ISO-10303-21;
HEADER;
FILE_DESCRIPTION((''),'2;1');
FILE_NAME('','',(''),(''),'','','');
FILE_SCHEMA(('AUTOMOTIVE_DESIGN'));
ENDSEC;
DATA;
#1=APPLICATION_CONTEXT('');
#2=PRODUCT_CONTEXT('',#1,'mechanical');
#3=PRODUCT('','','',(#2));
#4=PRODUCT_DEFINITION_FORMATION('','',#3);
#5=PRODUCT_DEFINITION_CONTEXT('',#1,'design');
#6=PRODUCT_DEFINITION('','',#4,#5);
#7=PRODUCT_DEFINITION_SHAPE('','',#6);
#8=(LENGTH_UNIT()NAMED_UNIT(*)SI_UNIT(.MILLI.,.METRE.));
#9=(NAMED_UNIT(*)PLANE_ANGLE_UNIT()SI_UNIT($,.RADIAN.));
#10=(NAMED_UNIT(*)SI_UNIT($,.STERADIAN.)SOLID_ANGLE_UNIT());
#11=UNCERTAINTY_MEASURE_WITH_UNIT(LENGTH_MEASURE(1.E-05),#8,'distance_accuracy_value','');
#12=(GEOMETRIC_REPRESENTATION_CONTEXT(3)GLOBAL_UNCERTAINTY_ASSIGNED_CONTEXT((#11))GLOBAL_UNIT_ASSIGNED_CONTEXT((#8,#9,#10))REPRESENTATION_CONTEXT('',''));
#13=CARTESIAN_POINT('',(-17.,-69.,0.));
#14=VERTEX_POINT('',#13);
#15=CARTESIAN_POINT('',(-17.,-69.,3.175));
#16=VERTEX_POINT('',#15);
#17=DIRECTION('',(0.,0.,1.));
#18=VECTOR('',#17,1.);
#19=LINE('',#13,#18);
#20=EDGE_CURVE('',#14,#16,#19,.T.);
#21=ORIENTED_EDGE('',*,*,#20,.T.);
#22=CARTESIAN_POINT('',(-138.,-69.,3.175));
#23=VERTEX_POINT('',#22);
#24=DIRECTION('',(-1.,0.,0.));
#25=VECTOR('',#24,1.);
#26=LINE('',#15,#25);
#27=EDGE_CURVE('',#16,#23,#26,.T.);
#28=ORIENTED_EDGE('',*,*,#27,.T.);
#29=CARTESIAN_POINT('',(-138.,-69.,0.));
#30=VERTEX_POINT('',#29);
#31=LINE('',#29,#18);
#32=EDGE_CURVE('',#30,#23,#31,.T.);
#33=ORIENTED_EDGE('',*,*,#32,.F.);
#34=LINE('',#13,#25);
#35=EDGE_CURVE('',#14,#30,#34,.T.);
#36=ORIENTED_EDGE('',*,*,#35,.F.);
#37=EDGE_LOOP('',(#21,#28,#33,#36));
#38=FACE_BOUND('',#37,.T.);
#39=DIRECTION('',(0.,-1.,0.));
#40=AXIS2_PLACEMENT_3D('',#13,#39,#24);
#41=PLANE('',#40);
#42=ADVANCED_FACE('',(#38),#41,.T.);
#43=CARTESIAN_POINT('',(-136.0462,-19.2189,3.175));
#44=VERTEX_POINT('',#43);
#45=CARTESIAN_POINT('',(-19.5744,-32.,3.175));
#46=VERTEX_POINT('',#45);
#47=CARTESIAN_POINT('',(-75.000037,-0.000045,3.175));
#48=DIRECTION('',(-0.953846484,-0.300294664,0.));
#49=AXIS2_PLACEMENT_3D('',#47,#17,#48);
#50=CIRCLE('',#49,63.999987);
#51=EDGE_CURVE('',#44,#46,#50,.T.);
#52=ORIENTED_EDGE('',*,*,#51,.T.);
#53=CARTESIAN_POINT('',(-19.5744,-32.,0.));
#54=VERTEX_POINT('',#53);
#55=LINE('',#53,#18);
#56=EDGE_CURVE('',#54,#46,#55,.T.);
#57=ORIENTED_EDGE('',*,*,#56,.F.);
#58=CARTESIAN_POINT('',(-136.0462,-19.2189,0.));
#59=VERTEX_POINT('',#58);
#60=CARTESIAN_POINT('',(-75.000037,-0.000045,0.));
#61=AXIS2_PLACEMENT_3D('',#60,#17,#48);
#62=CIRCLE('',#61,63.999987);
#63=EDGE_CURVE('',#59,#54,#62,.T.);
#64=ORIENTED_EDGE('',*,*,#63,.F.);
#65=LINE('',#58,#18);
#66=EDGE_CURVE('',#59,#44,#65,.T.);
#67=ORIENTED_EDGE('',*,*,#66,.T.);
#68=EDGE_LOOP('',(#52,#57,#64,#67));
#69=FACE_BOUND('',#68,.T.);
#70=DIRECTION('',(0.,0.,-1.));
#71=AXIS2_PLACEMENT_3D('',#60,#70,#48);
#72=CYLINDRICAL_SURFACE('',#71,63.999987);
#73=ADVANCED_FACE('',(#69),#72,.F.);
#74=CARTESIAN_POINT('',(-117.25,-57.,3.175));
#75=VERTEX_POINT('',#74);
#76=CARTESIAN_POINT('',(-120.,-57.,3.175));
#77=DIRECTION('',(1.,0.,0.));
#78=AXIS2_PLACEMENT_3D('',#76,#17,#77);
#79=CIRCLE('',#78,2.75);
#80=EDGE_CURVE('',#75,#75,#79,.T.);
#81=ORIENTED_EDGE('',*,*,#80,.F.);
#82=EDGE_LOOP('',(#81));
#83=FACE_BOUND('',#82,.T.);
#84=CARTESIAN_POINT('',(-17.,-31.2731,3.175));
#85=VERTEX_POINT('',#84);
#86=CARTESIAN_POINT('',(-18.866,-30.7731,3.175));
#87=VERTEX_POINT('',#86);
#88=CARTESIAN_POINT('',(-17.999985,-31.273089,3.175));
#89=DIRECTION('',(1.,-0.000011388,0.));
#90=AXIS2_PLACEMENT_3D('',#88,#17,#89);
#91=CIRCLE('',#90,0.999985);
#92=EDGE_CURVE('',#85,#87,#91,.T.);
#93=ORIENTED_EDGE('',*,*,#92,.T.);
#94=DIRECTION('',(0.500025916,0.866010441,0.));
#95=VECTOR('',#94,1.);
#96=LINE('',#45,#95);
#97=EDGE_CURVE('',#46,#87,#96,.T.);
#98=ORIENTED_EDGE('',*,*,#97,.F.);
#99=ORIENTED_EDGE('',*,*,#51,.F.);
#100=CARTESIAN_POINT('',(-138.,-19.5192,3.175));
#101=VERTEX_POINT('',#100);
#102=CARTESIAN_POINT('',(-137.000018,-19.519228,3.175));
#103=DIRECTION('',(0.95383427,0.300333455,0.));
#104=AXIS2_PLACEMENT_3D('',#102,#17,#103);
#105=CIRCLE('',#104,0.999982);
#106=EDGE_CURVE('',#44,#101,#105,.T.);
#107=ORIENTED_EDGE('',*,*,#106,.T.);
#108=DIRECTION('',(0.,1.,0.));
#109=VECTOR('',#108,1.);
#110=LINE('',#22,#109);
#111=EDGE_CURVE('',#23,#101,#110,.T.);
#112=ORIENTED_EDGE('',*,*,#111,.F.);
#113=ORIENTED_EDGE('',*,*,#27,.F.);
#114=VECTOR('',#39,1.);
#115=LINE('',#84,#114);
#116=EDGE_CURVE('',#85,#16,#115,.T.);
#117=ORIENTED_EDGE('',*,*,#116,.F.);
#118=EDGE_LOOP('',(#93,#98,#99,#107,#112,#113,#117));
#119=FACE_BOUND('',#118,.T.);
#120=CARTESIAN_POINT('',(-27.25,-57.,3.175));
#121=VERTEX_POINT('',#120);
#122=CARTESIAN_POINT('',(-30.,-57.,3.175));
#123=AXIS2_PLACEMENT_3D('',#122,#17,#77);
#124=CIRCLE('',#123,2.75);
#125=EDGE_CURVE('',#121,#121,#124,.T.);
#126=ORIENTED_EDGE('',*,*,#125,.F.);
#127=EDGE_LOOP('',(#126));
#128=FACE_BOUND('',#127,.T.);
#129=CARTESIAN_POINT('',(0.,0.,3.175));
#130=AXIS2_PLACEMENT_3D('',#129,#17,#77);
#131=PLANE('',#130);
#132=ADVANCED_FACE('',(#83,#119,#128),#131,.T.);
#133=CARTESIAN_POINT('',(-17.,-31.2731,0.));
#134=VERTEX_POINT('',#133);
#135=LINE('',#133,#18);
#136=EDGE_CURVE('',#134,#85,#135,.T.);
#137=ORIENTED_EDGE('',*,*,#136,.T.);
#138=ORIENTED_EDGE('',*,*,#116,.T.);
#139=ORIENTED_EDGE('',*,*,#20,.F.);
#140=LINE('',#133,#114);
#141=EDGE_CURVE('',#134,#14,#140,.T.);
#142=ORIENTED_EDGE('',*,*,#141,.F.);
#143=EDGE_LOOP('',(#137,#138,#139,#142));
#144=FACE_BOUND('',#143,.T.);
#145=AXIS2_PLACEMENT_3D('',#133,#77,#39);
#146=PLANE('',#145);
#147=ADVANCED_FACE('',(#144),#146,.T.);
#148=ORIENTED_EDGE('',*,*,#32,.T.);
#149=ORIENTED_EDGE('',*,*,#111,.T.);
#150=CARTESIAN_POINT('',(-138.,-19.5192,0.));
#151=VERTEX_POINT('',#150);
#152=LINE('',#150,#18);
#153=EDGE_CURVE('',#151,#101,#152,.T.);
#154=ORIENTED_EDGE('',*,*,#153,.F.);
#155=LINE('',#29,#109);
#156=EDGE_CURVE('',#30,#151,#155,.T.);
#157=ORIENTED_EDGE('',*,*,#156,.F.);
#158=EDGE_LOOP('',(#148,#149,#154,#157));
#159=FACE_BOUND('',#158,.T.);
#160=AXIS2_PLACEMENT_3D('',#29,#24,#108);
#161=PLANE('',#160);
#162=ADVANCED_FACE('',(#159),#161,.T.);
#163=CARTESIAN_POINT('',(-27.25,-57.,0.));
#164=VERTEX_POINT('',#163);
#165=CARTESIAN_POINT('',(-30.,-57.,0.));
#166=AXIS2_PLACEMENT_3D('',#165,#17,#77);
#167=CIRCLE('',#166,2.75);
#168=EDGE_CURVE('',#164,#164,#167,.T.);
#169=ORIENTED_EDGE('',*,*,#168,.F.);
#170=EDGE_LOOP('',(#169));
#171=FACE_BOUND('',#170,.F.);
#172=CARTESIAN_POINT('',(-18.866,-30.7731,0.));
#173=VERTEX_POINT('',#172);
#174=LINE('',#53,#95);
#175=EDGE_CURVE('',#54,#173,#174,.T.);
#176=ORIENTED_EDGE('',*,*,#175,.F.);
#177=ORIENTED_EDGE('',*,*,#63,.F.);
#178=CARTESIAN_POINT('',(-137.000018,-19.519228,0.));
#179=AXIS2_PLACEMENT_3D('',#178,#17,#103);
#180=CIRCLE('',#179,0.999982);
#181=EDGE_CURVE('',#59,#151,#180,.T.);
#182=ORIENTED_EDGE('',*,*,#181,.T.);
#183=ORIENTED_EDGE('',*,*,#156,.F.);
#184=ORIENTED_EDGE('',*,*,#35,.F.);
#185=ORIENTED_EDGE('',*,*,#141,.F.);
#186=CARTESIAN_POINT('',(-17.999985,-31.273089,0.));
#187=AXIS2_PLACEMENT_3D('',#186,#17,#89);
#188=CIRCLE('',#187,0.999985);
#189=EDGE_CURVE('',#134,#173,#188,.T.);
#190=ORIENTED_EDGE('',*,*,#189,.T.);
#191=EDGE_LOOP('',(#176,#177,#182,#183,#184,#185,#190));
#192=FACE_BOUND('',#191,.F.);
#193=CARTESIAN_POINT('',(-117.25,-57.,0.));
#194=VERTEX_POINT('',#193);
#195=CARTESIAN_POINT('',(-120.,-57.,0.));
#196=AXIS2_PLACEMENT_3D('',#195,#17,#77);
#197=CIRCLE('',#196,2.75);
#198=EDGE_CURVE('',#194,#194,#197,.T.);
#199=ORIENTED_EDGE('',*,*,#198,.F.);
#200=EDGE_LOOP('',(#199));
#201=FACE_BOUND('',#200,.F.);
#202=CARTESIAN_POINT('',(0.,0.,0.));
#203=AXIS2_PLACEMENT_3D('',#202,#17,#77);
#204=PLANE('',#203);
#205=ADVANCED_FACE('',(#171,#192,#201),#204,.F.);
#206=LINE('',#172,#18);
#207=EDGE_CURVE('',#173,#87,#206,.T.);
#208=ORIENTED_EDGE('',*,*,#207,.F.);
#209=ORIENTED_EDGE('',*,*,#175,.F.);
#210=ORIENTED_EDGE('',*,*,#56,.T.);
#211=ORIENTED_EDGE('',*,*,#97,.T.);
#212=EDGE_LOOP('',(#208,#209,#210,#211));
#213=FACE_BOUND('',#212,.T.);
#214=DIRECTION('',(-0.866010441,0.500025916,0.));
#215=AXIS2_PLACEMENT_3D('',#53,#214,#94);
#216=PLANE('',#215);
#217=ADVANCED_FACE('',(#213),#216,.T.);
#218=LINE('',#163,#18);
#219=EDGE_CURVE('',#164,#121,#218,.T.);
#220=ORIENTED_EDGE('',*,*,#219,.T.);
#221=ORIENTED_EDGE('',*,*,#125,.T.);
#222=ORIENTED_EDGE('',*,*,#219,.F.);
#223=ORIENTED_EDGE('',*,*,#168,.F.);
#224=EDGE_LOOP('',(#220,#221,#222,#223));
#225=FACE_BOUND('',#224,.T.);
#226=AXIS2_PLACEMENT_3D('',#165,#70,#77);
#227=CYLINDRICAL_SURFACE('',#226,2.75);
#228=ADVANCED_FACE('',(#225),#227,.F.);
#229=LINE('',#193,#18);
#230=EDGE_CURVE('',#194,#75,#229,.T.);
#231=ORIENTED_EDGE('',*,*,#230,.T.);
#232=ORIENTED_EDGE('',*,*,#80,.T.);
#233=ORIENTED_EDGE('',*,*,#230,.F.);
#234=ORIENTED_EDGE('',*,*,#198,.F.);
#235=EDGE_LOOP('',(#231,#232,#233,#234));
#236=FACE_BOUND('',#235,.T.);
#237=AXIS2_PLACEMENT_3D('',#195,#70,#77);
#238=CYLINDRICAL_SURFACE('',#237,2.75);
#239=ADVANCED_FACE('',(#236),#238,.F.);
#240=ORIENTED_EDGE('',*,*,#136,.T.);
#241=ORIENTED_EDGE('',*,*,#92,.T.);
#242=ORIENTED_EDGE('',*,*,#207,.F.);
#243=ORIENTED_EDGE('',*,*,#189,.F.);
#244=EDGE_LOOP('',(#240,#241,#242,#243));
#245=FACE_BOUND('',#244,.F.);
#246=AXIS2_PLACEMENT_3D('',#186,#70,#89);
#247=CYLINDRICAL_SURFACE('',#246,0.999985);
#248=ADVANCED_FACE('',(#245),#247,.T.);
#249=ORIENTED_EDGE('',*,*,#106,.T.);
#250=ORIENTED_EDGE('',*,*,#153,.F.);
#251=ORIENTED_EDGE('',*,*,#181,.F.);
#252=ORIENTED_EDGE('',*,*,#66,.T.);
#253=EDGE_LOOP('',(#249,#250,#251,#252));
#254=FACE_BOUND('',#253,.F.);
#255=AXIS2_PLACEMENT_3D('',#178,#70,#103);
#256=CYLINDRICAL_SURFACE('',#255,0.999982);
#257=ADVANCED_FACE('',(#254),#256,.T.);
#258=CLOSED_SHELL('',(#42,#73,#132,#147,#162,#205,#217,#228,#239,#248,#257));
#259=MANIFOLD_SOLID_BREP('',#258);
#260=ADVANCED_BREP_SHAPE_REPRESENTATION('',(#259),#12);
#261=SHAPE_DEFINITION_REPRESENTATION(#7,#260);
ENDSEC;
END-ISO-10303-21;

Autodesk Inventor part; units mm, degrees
ref_plane "YZ Plane" through (0, 0, 0) normal (1, 0, 0) x (0, 1, 0)
ref_plane "XZ Plane" through (0, 0, 0) normal (0, 1, 0) x (-1, 0, 0)
ref_plane "XY Plane" through (0, 0, 0) normal (0, 0, 1) x (1, 0, 0)
sketch "Sketch1" plane through (0, 0, 0) normal (0, 0, 1) x (1, 0, 0)
  arc A0 (-17, -31.2731) -> (-18.866, -30.7731) centre (-18, -31.2731) ccw
  line L0 (-17, -31.2731) -> (-17, -69)
  line L1 (-17, -69) -> (-138, -69)
  line L2 (-138, -69) -> (-138, -19.5192)
  arc A1 (-136.0462, -19.2189) -> (-138, -19.5192) centre (-137, -19.5192) ccw
  arc A2 (-136.0462, -19.2189) -> (-19.5744, -32) centre (-75, 0) ccw
  line L3 (-19.5744, -32) -> (-18.866, -30.7731)
  circle A3 centre (-30, -57) radius 2.75
  circle A4 centre (-120, -57) radius 2.75
  line L4 (-138, -69) -> (-17, -69)
  arc A5 (-17, -31.2731) -> (-18.866, -30.7731) centre (-18, -31.2731) ccw
  line L5 (-17, -31.2731) -> (-17, -69)
  line L6 (-17, -69) -> (-138, -69)
  line L7 (-138, -69) -> (-138, -19.5192)
  arc A6 (-136.0462, -19.2189) -> (-138, -19.5192) centre (-137, -19.5192) ccw
  arc A7 (-136.0462, -19.2189) -> (-19.5744, -32) centre (-75, 0) ccw
  line L8 (-19.5744, -32) -> (-18.866, -30.7731)
  circle A8 centre (-30, -57) radius 2.75
  circle A9 centre (-120, -57) radius 2.75
  point P0 (0, 0)
extrude "Extrusion1" add sketch "Sketch1" along normal blind 3.175
properties part number "1-8inch_Sieve_Piece1"
